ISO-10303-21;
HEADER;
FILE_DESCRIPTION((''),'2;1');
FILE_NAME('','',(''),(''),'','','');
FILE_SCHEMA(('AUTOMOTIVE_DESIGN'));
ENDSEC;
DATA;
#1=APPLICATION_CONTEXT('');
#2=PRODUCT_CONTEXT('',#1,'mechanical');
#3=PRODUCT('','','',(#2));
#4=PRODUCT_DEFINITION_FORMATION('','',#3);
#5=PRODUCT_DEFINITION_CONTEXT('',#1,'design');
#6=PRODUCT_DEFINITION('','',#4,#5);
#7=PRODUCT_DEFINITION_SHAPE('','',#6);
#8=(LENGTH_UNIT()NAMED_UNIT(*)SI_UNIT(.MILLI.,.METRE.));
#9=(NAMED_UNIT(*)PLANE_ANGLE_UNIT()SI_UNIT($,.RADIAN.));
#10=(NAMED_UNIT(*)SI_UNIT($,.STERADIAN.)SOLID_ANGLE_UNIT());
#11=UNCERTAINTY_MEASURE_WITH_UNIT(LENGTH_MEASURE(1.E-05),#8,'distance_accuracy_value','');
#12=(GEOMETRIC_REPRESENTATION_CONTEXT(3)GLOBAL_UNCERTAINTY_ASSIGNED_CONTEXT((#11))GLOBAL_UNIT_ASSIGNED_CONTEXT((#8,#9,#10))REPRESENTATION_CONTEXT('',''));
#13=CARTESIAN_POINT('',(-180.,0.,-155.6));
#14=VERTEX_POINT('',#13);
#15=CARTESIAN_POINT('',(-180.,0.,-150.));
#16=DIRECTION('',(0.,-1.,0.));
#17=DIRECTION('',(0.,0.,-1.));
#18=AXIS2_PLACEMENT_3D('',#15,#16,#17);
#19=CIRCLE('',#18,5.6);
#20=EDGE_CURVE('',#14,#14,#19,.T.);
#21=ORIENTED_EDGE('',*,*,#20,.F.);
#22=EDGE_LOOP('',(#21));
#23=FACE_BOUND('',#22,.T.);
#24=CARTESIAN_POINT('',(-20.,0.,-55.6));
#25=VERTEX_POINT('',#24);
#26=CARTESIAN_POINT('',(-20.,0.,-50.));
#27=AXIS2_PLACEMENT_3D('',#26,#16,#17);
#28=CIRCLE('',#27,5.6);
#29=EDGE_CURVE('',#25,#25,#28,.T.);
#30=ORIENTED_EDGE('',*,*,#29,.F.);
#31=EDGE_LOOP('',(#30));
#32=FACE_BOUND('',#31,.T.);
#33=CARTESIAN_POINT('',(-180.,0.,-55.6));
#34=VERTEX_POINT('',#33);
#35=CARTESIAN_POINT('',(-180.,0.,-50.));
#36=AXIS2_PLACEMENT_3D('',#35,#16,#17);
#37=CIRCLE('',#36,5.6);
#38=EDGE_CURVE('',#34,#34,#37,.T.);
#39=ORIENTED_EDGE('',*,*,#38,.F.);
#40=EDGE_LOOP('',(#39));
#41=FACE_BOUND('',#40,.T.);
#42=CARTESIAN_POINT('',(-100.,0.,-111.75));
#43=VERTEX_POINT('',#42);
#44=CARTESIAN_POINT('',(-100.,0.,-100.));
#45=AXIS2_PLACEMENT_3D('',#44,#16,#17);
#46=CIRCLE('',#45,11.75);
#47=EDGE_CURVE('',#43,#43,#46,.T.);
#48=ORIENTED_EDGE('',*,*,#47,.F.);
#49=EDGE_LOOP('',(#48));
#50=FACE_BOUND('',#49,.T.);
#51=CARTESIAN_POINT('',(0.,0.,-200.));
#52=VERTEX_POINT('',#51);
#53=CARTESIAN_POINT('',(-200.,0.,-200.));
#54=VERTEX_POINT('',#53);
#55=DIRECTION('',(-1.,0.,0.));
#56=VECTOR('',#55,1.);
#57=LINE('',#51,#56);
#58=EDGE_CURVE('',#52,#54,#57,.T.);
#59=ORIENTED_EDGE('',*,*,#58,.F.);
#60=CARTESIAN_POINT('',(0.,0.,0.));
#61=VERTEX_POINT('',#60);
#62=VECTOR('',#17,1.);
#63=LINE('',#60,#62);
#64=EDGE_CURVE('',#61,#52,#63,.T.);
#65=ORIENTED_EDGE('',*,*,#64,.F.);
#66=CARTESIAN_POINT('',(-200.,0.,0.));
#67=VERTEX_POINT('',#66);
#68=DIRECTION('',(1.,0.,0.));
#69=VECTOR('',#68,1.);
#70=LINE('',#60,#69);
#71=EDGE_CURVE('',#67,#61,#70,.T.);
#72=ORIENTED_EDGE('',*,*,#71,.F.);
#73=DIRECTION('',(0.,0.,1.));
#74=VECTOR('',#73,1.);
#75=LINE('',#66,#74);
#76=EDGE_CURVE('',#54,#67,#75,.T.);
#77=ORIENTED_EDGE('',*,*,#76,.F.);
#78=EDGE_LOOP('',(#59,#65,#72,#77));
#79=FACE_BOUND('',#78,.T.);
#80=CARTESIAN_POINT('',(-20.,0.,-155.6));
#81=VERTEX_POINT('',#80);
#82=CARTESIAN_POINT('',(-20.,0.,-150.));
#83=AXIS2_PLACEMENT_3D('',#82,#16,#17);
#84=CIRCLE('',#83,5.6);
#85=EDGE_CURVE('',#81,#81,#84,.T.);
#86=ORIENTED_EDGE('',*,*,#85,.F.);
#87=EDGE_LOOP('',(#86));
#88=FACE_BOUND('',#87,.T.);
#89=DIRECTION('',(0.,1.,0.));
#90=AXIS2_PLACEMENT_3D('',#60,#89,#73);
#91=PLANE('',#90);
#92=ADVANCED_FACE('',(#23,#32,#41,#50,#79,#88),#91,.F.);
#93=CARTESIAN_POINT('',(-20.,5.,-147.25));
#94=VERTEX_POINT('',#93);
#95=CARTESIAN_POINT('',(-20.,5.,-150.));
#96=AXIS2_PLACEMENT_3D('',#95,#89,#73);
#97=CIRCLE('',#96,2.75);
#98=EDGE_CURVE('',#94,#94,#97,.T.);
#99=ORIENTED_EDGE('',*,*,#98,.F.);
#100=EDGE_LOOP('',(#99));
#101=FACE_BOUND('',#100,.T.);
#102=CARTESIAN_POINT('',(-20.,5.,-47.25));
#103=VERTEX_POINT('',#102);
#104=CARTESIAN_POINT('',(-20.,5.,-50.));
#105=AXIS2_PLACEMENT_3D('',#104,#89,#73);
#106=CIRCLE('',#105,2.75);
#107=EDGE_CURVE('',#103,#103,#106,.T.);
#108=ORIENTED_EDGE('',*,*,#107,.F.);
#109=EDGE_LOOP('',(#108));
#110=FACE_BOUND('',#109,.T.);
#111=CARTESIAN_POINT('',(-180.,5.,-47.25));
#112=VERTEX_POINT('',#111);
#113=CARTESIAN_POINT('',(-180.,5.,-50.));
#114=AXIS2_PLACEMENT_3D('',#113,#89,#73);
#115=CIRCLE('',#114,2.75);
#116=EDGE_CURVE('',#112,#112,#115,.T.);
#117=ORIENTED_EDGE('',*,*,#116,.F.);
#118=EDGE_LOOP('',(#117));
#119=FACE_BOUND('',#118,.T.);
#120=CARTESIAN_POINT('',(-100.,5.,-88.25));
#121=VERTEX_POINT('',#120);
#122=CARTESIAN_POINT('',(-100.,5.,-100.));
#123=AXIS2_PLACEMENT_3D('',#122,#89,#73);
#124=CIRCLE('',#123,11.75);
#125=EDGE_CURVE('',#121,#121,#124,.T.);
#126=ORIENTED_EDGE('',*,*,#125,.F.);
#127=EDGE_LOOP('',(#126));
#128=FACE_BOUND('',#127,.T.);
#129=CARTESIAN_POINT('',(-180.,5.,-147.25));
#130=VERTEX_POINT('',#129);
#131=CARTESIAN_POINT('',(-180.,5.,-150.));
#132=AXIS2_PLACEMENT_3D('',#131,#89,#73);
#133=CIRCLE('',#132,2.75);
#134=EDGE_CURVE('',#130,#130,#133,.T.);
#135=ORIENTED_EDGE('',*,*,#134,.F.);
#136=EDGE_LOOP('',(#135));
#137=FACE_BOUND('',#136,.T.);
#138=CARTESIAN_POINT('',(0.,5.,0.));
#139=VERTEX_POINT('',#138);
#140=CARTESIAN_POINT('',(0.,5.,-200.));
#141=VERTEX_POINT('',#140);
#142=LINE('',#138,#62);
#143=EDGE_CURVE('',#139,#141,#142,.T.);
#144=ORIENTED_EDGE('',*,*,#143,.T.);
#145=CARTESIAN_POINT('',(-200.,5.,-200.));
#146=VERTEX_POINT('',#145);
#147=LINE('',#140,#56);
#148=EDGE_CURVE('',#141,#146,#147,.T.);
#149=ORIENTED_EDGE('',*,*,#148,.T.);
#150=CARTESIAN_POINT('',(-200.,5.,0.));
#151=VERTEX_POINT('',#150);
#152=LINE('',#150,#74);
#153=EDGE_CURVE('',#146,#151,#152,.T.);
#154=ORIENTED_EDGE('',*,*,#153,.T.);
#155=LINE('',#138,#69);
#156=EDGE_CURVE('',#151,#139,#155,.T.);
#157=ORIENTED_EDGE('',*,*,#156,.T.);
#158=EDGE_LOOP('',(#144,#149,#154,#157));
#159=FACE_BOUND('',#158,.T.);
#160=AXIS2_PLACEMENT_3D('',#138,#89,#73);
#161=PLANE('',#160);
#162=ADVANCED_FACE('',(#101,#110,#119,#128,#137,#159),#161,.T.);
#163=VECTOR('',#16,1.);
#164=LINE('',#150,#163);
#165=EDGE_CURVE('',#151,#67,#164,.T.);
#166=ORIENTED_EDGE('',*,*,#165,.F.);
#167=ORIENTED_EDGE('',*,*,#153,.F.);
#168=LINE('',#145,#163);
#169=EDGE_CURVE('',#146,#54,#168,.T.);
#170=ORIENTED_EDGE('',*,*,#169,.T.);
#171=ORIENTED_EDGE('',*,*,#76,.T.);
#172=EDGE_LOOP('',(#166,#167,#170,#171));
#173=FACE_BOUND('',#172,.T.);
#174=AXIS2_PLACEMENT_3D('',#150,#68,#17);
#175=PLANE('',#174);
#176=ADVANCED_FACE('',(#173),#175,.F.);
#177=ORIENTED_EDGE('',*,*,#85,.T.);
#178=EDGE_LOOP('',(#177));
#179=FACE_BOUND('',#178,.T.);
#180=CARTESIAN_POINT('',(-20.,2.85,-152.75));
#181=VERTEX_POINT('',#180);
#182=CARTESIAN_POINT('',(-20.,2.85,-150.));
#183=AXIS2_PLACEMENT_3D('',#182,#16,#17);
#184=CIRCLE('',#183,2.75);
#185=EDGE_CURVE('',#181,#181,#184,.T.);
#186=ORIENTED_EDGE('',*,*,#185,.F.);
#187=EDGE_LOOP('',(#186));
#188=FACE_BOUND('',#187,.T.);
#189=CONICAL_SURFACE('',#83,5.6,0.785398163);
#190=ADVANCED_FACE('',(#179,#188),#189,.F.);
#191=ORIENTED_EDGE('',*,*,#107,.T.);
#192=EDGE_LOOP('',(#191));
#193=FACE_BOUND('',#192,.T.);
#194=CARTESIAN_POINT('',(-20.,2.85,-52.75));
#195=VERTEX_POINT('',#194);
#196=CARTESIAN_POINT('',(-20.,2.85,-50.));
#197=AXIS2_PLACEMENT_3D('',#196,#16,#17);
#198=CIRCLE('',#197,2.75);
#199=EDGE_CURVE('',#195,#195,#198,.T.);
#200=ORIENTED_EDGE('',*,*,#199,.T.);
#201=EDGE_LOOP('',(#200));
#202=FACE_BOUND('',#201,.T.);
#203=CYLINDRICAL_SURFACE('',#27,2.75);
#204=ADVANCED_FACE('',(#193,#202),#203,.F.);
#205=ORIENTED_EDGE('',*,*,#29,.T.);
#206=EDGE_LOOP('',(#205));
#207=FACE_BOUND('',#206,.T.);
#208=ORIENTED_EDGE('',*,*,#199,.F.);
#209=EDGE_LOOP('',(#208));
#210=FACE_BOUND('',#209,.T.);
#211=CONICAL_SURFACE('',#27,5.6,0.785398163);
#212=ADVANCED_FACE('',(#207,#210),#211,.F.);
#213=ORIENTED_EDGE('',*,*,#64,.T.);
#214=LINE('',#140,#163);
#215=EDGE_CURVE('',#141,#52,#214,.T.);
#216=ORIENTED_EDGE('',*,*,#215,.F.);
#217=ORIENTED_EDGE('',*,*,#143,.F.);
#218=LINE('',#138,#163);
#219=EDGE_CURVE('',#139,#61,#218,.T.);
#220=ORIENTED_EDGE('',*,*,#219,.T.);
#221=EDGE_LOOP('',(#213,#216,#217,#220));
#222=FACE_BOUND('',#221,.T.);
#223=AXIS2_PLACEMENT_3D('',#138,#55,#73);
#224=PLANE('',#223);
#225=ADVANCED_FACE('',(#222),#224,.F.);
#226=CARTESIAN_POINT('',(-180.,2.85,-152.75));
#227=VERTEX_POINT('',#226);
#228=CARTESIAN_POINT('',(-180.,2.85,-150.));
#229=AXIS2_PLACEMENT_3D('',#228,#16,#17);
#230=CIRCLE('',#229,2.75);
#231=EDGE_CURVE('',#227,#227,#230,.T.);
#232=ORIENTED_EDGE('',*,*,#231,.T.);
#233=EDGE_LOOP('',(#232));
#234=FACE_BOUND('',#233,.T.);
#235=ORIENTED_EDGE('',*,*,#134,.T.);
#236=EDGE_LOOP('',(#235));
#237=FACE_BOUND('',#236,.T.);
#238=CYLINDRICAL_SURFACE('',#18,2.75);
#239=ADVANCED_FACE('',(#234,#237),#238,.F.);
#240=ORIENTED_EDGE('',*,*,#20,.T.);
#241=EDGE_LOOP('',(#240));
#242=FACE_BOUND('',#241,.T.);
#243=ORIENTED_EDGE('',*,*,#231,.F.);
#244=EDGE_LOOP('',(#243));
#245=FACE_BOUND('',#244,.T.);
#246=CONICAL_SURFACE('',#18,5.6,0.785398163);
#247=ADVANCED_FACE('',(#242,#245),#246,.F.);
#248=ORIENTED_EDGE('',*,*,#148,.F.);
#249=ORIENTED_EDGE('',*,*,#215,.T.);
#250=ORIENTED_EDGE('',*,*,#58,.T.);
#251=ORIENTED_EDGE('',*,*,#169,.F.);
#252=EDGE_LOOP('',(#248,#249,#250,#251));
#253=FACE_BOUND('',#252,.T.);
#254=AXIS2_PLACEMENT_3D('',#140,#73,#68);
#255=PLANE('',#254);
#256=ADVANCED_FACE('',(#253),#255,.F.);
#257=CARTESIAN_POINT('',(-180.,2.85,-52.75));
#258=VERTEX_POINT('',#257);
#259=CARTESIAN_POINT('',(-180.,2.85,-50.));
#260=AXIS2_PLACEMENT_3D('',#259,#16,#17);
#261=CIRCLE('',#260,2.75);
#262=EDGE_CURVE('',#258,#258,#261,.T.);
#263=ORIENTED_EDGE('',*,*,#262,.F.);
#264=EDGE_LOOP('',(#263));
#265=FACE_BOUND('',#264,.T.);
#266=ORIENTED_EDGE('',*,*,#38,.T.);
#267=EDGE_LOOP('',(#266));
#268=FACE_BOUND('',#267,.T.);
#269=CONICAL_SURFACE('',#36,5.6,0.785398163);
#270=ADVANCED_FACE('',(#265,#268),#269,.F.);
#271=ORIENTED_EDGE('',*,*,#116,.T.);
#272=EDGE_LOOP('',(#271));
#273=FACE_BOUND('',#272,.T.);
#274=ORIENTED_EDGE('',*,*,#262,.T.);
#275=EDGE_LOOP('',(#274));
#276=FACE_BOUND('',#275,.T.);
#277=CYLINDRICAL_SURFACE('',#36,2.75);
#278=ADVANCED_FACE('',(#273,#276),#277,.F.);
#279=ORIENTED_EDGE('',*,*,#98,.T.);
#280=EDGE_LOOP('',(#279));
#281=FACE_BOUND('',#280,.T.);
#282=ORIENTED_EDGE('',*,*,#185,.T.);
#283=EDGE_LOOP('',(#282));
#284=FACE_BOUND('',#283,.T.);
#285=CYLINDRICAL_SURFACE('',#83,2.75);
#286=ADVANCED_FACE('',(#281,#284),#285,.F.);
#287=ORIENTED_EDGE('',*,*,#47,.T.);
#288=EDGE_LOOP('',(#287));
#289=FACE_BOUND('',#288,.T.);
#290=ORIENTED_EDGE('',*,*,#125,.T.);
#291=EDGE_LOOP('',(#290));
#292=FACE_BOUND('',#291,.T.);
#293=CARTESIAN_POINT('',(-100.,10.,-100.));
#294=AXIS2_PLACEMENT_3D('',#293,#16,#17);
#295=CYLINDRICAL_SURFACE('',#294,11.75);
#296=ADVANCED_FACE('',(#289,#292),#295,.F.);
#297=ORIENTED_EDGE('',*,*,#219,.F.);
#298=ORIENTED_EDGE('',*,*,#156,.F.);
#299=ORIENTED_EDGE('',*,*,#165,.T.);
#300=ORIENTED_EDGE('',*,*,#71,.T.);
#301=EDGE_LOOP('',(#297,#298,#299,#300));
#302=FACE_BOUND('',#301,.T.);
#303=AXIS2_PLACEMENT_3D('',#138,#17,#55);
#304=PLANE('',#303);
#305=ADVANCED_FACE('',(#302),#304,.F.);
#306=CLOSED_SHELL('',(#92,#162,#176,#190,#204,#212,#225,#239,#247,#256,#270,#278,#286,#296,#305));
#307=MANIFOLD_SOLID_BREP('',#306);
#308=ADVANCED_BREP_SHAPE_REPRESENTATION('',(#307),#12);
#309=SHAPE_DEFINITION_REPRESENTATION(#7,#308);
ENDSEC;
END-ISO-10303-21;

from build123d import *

# Parameters (mm, degrees)
SKETCH1_W                                           = 200
SKETCH1_H                                           = 200
BOSS_EXTRUDE1_DEPTH                                 = 5
CSK_FOR_M5_COUNTERSUNK_FLAT_HEAD_SCREW1_D           = 5.5
CSK_FOR_M5_COUNTERSUNK_FLAT_HEAD_SCREW1_DEPTH       = 10
CSK_FOR_M5_COUNTERSUNK_FLAT_HEAD_SCREW1_CSINK_D     = 11.2
CSK_FOR_M5_COUNTERSUNK_FLAT_HEAD_SCREW1_CSINK_ANGLE = 90
CSK_FOR_M5_COUNTERSUNK_FLAT_HEAD_SCREW1_TIP         = 1.652366702
SKETCH5_R                                           = 11.75
CUT_EXTRUDE1_DEPTH                                  = 10


with BuildPart() as part:
    # Sketch1 → Boss-Extrude1 (new body)
    with BuildSketch(Plane(origin=(0, 0, 0), x_dir=(1, 0, 0), z_dir=(0, 1, 0))):
        with Locations((-100, 100)):
            Rectangle(SKETCH1_W, SKETCH1_H)
    extrude(amount=BOSS_EXTRUDE1_DEPTH)

    # CSK for M5 Countersunk Flat Head Screw1
    with Locations(Plane(origin=(0, 0, 0), x_dir=(-1, 0, 0), z_dir=(0, -1, 0))):
        with Locations((180, 50), (180, 150), (20, 50), (20, 150)):
            CounterSinkHole(CSK_FOR_M5_COUNTERSUNK_FLAT_HEAD_SCREW1_D / 2, CSK_FOR_M5_COUNTERSUNK_FLAT_HEAD_SCREW1_CSINK_D / 2, depth=CSK_FOR_M5_COUNTERSUNK_FLAT_HEAD_SCREW1_DEPTH, counter_sink_angle=CSK_FOR_M5_COUNTERSUNK_FLAT_HEAD_SCREW1_CSINK_ANGLE)
            with Locations((0, 0, -(CSK_FOR_M5_COUNTERSUNK_FLAT_HEAD_SCREW1_DEPTH + CSK_FOR_M5_COUNTERSUNK_FLAT_HEAD_SCREW1_TIP / 2))):  # 118° drill point
                Cone(0, CSK_FOR_M5_COUNTERSUNK_FLAT_HEAD_SCREW1_D / 2, CSK_FOR_M5_COUNTERSUNK_FLAT_HEAD_SCREW1_TIP, mode=Mode.SUBTRACT)

    # Sketch5 → Cut-Extrude1 (cut)
    with BuildSketch(Plane.XZ):
        with Locations((-100, -100)):
            Circle(SKETCH5_R)
    extrude(amount=-CUT_EXTRUDE1_DEPTH, mode=Mode.SUBTRACT)


solid = part.part
